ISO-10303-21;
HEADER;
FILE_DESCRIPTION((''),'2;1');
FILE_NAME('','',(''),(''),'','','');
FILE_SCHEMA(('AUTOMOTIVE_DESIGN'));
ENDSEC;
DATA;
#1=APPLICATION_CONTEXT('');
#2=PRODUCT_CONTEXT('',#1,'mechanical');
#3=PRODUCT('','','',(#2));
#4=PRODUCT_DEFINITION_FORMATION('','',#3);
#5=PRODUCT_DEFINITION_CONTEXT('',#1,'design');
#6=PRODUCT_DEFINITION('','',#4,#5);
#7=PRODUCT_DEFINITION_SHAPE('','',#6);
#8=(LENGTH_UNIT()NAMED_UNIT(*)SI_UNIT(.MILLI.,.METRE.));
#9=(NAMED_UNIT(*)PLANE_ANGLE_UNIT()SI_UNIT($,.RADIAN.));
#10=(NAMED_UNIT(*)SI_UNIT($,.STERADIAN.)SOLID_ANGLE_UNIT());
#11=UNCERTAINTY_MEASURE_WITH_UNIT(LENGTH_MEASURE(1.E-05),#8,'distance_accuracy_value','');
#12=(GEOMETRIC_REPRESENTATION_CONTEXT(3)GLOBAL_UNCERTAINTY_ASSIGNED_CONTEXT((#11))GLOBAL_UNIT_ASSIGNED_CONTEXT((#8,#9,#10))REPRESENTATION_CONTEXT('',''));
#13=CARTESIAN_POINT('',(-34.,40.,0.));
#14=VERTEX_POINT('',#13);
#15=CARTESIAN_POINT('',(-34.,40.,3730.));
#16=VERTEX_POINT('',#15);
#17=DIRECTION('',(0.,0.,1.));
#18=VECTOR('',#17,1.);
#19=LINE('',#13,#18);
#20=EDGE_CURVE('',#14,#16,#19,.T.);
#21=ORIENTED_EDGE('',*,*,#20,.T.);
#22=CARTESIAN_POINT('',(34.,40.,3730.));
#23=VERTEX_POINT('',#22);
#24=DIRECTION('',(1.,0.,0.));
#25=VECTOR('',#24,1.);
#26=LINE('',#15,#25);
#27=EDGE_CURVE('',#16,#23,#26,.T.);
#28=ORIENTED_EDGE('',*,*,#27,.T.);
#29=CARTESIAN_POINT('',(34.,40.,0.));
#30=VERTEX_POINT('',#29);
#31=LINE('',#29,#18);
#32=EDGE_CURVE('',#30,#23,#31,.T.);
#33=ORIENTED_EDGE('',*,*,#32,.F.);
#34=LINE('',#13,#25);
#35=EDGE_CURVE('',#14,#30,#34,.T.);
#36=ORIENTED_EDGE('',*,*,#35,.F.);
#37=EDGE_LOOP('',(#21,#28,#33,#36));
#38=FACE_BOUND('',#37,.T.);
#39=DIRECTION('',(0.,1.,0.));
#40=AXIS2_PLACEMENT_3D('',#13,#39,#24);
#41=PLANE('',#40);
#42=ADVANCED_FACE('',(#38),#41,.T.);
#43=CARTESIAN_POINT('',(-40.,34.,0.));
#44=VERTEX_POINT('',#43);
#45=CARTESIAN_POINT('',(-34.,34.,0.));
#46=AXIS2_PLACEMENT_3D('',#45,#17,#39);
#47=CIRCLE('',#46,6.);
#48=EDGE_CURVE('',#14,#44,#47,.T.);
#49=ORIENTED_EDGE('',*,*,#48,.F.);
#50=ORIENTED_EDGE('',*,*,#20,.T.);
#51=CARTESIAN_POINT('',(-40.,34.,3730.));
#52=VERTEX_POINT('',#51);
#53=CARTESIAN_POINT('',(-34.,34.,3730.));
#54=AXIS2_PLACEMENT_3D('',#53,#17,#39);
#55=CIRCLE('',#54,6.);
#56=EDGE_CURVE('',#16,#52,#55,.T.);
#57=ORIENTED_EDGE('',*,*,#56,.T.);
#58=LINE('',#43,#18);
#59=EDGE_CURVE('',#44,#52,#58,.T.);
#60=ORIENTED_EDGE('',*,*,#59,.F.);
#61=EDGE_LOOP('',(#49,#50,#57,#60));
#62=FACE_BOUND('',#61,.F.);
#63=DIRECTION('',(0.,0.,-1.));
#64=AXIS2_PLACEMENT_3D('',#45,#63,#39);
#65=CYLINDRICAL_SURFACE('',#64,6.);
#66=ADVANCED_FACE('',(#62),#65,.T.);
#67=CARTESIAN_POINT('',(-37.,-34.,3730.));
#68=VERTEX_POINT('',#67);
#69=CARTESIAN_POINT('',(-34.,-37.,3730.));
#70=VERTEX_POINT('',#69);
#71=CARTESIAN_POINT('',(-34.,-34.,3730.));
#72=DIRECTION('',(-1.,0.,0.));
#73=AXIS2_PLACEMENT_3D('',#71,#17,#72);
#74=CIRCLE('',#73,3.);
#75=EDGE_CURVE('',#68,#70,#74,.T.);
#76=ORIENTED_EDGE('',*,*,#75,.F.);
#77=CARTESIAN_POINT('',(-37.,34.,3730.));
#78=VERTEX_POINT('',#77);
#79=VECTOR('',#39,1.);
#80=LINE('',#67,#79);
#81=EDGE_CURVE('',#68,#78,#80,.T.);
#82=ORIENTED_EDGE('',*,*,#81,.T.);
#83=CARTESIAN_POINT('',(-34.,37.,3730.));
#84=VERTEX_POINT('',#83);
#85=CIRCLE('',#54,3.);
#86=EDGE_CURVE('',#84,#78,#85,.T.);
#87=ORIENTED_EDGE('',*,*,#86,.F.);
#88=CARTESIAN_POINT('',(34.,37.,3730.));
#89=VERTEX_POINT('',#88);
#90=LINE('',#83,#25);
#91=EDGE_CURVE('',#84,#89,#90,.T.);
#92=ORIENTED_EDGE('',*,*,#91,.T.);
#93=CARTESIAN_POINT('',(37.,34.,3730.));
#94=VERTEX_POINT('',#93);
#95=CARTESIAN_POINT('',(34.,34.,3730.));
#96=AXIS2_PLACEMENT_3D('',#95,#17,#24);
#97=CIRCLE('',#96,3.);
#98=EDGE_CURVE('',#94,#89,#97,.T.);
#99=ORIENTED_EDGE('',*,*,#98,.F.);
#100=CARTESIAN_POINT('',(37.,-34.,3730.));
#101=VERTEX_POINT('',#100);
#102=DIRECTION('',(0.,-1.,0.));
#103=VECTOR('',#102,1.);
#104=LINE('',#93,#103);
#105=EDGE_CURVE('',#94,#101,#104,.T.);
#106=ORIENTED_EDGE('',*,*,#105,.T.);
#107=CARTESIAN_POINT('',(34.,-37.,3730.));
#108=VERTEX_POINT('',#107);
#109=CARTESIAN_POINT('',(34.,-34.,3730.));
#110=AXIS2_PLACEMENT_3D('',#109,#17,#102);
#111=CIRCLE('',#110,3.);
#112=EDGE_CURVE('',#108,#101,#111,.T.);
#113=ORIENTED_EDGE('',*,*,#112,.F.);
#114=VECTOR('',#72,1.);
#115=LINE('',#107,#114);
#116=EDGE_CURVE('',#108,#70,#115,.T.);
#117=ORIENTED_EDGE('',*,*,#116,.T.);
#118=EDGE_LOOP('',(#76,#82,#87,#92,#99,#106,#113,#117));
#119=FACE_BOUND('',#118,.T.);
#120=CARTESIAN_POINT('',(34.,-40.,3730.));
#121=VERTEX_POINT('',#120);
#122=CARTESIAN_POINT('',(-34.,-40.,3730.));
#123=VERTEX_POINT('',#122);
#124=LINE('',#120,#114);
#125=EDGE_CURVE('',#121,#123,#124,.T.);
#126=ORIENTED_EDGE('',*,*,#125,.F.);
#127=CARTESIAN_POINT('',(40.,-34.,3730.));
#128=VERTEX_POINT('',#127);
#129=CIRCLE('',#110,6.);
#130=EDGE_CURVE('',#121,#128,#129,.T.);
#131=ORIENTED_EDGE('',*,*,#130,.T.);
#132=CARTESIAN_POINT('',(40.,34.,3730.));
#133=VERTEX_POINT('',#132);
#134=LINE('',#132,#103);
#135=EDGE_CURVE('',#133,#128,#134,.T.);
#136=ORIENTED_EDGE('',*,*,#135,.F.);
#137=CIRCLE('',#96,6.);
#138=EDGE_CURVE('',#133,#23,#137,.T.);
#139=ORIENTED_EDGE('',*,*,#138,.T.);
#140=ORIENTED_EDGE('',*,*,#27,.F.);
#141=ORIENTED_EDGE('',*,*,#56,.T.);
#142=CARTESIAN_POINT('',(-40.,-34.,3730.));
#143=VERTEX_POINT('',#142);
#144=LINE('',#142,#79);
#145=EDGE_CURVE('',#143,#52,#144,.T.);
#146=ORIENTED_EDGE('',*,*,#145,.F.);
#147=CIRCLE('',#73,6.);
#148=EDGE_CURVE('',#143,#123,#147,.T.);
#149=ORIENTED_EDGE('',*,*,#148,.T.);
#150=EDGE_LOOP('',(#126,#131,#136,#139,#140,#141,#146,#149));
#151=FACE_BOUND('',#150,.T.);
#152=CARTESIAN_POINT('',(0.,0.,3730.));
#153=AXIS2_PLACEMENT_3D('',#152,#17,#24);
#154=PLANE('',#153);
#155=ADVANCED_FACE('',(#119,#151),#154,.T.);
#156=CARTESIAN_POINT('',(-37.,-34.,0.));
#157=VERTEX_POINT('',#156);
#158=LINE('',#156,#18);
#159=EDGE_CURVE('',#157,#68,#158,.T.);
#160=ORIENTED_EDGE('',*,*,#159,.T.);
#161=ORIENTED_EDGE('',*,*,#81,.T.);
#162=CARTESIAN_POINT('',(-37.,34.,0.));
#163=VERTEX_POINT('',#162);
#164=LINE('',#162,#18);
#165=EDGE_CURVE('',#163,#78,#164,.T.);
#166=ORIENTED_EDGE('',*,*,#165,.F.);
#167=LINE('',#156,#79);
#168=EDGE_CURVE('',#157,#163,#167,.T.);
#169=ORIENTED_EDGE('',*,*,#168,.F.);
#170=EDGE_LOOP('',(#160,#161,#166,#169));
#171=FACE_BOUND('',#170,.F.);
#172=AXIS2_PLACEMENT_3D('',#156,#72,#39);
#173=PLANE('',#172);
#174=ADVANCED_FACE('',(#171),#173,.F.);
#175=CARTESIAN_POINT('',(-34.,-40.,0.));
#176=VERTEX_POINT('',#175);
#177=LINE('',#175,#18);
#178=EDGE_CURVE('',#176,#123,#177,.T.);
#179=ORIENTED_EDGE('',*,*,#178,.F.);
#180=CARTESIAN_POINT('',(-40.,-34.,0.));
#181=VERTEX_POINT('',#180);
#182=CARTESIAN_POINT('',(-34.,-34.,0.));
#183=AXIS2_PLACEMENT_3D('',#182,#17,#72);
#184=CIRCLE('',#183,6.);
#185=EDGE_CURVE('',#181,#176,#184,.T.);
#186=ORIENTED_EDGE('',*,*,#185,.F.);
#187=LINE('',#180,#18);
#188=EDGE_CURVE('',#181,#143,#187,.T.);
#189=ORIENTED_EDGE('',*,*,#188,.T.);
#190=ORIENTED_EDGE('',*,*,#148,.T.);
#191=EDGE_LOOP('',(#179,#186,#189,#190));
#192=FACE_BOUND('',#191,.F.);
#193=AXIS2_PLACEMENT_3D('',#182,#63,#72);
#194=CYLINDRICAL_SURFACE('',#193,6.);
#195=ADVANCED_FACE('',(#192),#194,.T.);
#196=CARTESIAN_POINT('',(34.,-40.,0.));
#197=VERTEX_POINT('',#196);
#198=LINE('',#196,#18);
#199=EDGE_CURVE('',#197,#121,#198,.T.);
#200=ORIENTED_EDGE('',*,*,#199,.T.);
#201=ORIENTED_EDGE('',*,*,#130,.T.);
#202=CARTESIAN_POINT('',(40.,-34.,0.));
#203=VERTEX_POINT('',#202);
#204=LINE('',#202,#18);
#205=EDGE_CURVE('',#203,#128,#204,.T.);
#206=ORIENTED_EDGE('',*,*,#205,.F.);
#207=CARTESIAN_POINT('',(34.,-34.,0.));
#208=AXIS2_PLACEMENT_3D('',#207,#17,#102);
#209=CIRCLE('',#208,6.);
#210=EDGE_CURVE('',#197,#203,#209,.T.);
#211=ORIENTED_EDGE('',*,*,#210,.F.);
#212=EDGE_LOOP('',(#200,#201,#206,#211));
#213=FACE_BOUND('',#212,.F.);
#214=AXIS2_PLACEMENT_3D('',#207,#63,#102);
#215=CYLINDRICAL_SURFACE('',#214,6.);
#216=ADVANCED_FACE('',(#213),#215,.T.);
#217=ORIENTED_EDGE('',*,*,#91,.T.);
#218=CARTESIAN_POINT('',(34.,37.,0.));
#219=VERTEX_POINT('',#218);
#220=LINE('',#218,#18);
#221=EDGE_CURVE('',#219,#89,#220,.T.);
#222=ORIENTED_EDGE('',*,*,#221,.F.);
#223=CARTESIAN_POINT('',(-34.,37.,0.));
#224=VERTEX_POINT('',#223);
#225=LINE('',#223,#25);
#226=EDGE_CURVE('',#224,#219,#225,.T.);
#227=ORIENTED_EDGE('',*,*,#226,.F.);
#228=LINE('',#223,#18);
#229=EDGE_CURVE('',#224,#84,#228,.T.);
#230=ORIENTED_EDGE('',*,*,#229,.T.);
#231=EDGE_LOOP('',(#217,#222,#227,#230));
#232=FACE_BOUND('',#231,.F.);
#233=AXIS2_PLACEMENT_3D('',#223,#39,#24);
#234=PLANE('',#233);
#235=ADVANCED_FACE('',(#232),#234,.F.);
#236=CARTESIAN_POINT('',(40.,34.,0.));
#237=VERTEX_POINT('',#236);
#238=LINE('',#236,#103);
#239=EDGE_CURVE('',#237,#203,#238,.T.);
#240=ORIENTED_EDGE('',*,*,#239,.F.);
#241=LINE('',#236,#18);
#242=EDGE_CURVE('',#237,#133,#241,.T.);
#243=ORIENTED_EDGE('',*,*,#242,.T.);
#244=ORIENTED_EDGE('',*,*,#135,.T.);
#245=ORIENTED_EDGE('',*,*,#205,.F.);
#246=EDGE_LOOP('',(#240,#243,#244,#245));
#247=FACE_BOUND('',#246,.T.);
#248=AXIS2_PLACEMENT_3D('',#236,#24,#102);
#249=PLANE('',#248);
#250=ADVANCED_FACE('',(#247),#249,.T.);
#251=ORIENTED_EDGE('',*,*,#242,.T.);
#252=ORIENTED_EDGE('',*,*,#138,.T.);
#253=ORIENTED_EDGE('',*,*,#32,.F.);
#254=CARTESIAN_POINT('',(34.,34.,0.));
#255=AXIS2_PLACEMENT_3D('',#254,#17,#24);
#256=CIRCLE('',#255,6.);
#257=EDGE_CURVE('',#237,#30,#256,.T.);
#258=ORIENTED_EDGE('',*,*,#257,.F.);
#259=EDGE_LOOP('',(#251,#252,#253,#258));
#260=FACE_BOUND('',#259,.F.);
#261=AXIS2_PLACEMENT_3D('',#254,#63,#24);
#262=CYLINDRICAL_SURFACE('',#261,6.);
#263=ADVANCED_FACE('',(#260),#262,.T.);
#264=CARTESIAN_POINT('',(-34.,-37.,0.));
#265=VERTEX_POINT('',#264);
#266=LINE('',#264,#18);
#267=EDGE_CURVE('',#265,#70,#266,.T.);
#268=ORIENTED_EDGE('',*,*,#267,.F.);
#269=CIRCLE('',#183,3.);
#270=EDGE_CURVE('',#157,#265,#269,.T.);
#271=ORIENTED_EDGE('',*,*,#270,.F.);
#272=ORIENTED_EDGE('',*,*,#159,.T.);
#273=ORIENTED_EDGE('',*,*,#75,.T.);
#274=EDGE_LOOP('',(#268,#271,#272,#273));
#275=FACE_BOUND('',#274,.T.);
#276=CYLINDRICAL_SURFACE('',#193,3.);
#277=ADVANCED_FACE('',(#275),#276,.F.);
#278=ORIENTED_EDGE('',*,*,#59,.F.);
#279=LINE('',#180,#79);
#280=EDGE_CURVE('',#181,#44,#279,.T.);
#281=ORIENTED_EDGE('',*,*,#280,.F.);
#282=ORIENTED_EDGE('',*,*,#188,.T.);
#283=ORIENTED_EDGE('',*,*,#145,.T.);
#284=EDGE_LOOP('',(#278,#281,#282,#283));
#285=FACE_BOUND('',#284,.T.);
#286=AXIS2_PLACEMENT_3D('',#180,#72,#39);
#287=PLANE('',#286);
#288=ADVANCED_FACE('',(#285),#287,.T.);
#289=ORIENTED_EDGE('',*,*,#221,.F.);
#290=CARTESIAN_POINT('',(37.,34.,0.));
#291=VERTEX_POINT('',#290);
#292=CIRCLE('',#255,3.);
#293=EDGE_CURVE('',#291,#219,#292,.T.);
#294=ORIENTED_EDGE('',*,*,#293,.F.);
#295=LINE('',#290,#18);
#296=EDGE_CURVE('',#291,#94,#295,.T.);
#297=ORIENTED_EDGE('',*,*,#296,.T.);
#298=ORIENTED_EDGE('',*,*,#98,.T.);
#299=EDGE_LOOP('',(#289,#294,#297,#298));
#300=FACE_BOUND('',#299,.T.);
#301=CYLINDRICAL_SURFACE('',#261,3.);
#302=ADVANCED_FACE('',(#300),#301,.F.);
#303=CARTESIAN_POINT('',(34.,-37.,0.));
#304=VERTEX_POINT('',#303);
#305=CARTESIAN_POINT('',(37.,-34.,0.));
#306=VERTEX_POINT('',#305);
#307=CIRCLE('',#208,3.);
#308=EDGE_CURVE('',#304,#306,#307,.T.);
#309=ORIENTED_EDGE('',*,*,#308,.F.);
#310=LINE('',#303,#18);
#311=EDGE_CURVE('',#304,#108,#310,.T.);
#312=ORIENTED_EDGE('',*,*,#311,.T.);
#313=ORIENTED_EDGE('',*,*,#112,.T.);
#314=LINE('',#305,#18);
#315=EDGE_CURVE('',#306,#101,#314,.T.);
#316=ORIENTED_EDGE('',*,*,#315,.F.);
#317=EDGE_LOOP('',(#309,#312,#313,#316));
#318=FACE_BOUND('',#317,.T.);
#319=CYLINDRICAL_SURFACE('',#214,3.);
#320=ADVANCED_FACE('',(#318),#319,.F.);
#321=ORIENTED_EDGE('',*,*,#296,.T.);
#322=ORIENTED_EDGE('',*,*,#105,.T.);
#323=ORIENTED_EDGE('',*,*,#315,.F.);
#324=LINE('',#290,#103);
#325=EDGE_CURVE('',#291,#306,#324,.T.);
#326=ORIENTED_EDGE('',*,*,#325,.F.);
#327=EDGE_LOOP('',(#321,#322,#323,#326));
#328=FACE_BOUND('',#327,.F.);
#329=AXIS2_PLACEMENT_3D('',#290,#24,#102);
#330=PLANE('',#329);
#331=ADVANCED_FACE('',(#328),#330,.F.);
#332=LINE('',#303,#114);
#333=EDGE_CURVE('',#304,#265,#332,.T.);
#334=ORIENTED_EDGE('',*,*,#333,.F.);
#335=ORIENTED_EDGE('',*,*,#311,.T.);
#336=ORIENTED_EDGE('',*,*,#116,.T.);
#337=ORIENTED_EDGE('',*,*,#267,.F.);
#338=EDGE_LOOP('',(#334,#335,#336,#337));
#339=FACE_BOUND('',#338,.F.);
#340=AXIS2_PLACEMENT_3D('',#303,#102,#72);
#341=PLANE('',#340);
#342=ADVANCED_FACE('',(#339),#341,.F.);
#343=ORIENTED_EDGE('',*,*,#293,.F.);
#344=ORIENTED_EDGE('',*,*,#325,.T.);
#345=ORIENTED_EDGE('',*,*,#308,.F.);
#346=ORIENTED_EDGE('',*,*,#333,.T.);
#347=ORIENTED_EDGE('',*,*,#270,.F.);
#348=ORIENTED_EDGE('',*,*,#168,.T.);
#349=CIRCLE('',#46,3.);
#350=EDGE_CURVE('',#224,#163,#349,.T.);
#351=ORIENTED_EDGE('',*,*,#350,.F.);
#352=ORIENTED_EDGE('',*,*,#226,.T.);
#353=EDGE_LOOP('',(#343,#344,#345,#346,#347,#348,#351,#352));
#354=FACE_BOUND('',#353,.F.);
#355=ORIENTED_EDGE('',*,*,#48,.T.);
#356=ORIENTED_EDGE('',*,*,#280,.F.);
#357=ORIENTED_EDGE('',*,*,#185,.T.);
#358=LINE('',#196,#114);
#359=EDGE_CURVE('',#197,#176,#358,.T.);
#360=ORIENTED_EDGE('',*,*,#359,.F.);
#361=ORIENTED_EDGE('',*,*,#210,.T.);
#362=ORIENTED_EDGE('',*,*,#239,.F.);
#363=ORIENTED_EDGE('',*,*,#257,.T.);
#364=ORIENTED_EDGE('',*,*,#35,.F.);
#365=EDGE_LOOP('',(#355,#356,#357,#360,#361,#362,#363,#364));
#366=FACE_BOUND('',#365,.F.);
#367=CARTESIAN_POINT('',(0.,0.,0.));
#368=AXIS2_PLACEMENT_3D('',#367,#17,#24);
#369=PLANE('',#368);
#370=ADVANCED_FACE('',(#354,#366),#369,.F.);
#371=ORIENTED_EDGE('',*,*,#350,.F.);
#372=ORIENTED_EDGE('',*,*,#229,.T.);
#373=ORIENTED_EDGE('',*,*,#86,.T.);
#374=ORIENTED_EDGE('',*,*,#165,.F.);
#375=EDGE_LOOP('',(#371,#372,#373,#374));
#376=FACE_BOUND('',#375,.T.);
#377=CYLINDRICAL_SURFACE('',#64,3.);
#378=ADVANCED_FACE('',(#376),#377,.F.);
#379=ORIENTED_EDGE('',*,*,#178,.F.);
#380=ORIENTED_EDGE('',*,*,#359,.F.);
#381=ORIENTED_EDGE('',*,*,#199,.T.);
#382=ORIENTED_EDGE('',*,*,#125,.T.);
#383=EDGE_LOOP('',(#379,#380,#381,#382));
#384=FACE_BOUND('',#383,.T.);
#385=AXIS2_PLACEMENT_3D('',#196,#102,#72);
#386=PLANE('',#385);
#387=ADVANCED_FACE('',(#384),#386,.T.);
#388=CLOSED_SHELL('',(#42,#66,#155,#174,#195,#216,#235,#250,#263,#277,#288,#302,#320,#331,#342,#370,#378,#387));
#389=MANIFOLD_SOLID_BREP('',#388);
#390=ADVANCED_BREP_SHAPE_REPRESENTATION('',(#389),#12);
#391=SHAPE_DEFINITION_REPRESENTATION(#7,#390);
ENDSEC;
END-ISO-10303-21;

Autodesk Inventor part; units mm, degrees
ref_plane "YZ Plane" through (0, 0, 0) normal (1, 0, 0) x (0, 1, 0)
ref_plane "Start Plane" through (0, 0, 0) normal (0, 0, 1) x (1, 0, 0)
ref_plane "End Plane" through (0, 0, 3730) normal (0, 0, 1) x (1, 0, 0)
sketch "Sketch" plane through (0, 0, 0) normal (0, 0, 1) x (1, 0, 0)
  line L0 (-40, -34) -> (-40, 34)
  line L1 (-34, 40) -> (34, 40)
  line L2 (40, 34) -> (40, -34)
  line L3 (34, -40) -> (-34, -40)
  arc A0 (-40, -34) -> (-34, -40) centre (-34, -34) ccw
  arc A1 (40, 34) -> (34, 40) centre (34, 34) ccw
  arc A2 (-34, 40) -> (-40, 34) centre (-34, 34) ccw
  arc A3 (34, -40) -> (40, -34) centre (34, -34) ccw
  arc A4 (-34, 37) -> (-37, 34) centre (-34, 34) ccw
  line L4 (-34, 37) -> (34, 37)
  arc A5 (37, 34) -> (34, 37) centre (34, 34) ccw
  line L5 (37, 34) -> (37, -34)
  arc A6 (34, -37) -> (37, -34) centre (34, -34) ccw
  line L6 (34, -37) -> (-34, -37)
  arc A7 (-37, -34) -> (-34, -37) centre (-34, -34) ccw
  line L7 (-37, -34) -> (-37, 34)
  line L8 (0, 57.7397) -> (0, -57.7397) construction
  line L9 (-57.7397, 0) -> (57.7397, 0) construction
  dimension "d7" = 6
  dimension "d9" = 80
  dimension "d11" = 80
  dimension "d12" = 3
  dimension "d15" = 40
  dimension "d16" = 40
extrude "Body" add sketch "Sketch" along normal up to surface (3730 mm away) from surface at 0
sketch "Sketch3" plane through (0, 0, 0) normal (0, 0, 1) x (1, 0, 0)
  line L0 (0, 0) -> (10, 0)
ref_plane "Work Plane3" through (0, 0, 0) normal (0, -1, 0) x (1, 0, 0)
sketch "Sketch4" plane through (0, 0, 0) normal (0, -1, 0) x (1, 0, 0)
  line L0 (-2, 0) -> (12, 0) projected
  line L1 (-2, 3730) -> (12, 3730) projected
  dimension "d18" = 3730
equation "\"d7\" = G_IR"
equation "\"d9\" = G_W"
equation "\"d11\" = G_H"
equation "\"d12\" = G_T"
equation "\"d15\" = 0.5 * d9"
equation "\"d16\" = 0.5 * d11"
equation "\"d3\" = G_L"
equation "\"G_W\" = 80"
equation "\"G_H\" = 80"
equation "\"G_T\" = 3"
equation "\"G_IR\" = 6"
equation "\"G_L\" = d18"
equation "\"G_OFFSET_START\" = 0"
equation "\"G_OFFSET_END\" = 0"
properties part number "ISO 4019 - 80x80x3 - 3730" material "Steel, Mild"
